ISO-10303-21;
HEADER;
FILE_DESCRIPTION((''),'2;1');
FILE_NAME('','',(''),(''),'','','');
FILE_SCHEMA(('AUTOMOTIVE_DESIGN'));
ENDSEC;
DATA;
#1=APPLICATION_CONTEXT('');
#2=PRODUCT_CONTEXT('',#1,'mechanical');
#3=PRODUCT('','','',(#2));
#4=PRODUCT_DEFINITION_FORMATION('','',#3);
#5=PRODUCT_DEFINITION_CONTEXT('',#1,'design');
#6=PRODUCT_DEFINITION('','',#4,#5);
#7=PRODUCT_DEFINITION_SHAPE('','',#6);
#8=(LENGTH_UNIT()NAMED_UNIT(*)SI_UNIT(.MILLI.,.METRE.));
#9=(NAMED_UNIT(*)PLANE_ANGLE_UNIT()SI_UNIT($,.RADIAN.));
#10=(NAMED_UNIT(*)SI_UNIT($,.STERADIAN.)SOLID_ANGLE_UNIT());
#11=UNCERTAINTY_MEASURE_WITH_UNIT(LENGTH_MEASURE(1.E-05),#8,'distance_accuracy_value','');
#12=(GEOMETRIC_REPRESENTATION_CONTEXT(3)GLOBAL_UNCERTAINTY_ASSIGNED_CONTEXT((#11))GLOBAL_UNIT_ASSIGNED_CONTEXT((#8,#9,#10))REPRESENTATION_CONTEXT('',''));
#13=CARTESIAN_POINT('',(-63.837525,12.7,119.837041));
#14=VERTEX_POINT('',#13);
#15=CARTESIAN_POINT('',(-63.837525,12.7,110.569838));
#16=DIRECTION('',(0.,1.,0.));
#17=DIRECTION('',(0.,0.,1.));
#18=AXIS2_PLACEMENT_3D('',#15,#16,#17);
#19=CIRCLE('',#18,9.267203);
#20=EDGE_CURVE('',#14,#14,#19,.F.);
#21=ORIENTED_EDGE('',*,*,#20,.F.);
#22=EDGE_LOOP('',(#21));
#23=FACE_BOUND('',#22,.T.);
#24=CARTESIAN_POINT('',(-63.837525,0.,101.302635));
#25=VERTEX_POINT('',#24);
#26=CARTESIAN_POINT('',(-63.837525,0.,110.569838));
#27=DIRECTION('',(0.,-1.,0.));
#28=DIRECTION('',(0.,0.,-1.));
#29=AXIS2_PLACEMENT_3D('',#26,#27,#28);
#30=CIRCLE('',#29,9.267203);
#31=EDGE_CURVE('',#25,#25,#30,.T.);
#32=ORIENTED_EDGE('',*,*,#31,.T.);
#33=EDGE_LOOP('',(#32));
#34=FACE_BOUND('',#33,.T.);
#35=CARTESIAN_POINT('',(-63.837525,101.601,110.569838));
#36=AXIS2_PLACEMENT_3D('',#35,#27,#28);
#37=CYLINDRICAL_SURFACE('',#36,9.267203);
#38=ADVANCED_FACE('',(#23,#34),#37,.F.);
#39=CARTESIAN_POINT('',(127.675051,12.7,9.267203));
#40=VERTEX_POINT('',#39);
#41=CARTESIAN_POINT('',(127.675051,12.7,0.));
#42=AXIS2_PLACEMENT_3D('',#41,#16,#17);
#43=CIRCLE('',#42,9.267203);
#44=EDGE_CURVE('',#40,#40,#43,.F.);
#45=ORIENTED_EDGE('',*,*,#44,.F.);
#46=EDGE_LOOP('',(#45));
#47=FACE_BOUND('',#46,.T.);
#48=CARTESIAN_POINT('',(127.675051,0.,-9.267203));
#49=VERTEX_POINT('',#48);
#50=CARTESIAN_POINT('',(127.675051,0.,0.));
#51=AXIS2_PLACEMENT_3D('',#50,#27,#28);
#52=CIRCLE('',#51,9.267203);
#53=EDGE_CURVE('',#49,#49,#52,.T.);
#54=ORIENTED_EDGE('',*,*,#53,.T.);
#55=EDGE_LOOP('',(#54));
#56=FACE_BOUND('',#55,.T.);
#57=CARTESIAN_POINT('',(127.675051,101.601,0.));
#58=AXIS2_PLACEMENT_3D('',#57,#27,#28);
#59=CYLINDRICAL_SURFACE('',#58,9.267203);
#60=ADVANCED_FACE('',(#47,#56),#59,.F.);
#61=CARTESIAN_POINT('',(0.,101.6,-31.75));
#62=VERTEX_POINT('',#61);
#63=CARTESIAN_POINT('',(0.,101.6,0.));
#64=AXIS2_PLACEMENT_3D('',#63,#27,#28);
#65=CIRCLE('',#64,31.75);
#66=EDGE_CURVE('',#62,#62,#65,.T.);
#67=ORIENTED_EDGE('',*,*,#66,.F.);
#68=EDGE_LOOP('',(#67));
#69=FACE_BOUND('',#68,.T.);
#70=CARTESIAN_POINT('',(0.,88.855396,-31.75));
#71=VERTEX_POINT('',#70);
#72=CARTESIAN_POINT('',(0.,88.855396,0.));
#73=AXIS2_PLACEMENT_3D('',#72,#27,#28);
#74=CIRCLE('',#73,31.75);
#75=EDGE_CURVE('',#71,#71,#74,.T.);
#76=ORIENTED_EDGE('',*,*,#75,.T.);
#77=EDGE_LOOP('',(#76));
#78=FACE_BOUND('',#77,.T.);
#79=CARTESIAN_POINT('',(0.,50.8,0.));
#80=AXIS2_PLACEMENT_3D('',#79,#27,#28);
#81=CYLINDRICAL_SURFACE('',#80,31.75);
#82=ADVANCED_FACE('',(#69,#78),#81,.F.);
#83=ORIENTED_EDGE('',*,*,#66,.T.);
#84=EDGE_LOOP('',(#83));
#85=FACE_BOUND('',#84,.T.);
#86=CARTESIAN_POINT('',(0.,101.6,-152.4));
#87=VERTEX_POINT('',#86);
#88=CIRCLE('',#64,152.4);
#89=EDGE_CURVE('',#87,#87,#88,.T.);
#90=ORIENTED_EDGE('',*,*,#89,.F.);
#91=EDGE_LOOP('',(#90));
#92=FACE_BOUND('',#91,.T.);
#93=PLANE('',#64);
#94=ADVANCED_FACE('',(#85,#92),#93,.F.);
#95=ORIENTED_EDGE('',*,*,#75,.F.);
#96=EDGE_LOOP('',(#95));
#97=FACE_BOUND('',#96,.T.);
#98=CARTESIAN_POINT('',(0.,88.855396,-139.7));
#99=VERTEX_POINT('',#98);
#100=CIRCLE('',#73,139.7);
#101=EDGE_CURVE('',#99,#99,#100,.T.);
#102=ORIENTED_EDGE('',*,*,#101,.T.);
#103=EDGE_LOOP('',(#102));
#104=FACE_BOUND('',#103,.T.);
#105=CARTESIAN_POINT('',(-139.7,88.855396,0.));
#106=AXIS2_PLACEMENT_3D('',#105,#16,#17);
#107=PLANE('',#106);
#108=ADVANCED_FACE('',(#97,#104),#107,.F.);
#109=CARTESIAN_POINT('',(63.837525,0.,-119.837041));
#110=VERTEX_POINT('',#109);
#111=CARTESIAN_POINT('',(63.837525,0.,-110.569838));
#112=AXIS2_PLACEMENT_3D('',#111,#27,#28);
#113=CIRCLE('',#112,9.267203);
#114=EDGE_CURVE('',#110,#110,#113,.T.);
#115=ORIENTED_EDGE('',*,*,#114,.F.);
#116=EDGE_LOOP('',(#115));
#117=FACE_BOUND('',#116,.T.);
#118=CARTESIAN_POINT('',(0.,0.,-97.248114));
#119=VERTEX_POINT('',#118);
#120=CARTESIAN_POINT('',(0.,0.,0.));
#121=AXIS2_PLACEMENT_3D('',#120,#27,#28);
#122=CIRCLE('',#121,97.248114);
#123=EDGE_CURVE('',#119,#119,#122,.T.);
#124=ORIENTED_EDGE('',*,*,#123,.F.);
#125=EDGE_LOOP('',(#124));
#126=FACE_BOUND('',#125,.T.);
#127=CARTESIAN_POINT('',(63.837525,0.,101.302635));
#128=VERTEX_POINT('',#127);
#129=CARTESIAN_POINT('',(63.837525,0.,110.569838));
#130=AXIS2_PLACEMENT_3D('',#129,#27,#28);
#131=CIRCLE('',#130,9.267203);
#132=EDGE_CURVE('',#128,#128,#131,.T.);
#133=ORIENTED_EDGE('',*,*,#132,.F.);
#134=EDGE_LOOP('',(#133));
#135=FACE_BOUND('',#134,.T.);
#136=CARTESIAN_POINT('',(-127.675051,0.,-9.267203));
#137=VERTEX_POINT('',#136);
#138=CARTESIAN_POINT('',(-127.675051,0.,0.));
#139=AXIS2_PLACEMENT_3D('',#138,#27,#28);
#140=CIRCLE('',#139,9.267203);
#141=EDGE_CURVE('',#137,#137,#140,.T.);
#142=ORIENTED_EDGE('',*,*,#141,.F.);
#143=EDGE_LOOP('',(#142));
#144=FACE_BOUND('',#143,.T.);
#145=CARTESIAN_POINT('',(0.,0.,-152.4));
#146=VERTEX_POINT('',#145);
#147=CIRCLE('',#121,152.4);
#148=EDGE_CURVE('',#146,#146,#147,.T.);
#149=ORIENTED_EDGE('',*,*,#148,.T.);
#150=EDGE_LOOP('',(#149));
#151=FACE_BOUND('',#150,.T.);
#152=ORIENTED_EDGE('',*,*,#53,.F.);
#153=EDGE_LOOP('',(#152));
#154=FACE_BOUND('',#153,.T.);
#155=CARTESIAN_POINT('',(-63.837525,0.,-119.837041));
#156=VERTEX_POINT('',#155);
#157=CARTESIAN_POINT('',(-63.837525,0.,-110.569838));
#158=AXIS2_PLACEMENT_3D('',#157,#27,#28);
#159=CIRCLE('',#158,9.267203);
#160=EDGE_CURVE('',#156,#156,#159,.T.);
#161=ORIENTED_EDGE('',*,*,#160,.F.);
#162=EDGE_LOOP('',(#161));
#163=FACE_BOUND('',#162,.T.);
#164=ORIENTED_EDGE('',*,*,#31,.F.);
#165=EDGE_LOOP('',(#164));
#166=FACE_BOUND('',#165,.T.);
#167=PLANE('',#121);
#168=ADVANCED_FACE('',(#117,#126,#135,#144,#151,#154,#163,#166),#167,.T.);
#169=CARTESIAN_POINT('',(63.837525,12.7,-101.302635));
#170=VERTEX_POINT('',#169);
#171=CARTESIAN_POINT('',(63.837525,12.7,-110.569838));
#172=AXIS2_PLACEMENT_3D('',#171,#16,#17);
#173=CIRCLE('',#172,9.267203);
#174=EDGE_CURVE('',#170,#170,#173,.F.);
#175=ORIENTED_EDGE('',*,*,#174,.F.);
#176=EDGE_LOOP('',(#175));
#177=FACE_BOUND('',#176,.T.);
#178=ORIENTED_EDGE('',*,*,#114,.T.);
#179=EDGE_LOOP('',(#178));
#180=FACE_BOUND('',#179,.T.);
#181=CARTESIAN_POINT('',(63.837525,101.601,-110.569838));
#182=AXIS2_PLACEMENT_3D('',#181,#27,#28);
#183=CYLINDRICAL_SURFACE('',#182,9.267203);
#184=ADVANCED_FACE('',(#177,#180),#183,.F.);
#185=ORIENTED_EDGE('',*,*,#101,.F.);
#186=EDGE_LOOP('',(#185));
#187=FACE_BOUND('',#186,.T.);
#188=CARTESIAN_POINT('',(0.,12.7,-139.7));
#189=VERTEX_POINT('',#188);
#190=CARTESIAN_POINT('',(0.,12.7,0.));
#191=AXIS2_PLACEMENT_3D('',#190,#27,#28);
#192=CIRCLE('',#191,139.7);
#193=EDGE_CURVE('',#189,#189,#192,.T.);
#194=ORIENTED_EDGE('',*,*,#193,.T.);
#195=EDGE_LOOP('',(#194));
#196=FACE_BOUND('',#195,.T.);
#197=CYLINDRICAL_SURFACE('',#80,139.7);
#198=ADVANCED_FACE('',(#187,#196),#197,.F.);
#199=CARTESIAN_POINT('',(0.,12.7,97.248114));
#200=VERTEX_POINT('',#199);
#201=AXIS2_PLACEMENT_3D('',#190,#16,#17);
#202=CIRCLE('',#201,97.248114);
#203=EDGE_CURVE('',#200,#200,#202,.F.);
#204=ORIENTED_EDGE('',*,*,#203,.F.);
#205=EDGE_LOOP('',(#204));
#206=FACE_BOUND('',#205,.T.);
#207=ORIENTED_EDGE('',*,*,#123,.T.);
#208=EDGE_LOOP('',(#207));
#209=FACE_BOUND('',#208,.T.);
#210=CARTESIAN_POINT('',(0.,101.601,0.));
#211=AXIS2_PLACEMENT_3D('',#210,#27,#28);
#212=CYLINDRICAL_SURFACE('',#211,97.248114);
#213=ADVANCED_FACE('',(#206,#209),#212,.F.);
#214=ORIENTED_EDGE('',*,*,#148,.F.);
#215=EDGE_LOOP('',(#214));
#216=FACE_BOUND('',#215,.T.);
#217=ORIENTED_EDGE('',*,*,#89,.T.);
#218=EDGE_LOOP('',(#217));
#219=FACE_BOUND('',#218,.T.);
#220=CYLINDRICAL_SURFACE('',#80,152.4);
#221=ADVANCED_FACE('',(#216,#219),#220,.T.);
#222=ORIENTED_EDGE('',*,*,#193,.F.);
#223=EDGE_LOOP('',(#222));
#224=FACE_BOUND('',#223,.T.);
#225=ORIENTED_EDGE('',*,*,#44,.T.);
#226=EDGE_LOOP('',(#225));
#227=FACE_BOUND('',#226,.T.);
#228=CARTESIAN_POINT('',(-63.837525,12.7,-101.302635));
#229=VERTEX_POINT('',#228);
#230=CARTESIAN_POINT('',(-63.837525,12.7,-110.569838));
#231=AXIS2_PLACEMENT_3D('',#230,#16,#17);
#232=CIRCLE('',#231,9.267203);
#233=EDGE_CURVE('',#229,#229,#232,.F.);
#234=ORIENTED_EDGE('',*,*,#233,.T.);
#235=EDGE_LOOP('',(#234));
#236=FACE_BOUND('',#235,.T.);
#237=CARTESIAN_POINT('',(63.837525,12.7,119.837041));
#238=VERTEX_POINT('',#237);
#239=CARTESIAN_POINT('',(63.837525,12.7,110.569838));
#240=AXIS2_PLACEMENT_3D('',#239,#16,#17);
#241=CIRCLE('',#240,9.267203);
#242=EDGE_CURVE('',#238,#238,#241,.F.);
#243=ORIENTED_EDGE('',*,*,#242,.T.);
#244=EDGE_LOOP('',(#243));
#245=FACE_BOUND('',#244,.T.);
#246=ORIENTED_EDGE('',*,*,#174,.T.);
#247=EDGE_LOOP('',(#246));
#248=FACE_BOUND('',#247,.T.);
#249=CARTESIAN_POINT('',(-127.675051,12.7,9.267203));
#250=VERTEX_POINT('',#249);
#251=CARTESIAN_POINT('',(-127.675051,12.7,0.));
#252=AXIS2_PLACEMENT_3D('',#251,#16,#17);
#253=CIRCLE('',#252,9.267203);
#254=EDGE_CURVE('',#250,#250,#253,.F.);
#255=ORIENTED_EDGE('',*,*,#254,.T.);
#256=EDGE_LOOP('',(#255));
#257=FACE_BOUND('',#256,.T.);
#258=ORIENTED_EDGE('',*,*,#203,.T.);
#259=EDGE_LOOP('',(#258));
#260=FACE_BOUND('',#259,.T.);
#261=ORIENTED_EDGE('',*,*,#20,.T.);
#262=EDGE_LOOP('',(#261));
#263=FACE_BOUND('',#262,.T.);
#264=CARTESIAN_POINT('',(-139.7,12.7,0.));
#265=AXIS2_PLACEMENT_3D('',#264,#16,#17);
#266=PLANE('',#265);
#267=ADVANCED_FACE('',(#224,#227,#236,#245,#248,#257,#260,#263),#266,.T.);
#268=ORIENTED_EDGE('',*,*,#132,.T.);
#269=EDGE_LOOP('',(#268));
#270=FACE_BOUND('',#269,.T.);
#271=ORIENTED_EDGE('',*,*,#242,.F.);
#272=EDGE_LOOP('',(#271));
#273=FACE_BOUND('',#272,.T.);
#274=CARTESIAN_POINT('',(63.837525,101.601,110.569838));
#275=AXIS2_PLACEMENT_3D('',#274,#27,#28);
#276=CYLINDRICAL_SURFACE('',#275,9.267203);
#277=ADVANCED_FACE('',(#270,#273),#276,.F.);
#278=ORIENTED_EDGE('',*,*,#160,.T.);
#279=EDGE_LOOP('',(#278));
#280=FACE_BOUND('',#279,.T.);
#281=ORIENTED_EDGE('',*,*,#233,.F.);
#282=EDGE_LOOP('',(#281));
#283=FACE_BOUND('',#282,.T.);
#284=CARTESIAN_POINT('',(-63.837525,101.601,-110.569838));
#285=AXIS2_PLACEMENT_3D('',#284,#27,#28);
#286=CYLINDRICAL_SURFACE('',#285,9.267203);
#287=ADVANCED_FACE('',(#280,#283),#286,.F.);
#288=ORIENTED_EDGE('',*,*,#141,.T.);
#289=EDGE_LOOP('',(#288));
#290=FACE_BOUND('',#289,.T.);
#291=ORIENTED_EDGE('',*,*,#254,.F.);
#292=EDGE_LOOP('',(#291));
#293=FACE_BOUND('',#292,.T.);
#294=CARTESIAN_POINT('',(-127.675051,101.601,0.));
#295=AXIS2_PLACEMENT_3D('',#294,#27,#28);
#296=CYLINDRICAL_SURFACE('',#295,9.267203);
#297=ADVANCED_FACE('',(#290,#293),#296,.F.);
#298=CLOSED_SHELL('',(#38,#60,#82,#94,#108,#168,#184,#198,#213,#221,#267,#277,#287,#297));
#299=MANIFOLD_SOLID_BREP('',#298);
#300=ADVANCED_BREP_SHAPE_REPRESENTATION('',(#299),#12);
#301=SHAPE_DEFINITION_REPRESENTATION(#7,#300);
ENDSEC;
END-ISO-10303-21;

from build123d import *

# Parameters (mm, degrees)
SKETCH1_W          = 139.7
SKETCH1_H          = 12.7
SKETCH1_W_2        = 107.95
SKETCH1_H_2        = 12.744604202
CUT_EXTRUDE3_REACH = 240.273
SKETCH5_R          = 97.248113747
SKETCH5_R_2        = 9.267203016


with BuildPart() as part:
    # Sketch1 → Revolve1 (revolve)
    with BuildSketch(Plane.XY, mode=Mode.PRIVATE) as revolve1_sk:
        Polygon((-152.4, 0), (-139.7, 0), (-139.7, 12.7), (-139.7, 88.855395798), (-139.7, 101.6), (-152.4, 101.6), align=None)
        with Locations((-69.85, 6.35)):
            Rectangle(SKETCH1_W, SKETCH1_H)
        with Locations((-85.725, 95.227697899)):
            Rectangle(SKETCH1_W_2, SKETCH1_H_2)
    revolve(revolve1_sk.sketch.rotate(Axis((0, 50.8, 0), (0, 1, 0)), 270), axis=Axis((0, 50.8, 0), (0, 1, 0)))

    # Sketch5 → Cut-Extrude3 (cut, up to next)
    with BuildSketch(Plane.XZ, mode=Mode.PRIVATE) as cut_extrude3_sk1:
        with Locations(Location((0, 0, 0), (0, 0, 270))):
            Circle(SKETCH5_R)
    cut_extrude3_tool1 = extrude(cut_extrude3_sk1.sketch, amount=-CUT_EXTRUDE3_REACH, mode=Mode.PRIVATE) & part.part
    # Sketch5 → Cut-Extrude3 (cut, up to next)
    with BuildSketch(Plane.XZ, mode=Mode.PRIVATE) as cut_extrude3_sk2:
        with Locations(Location((127.67505098, 0, 0), (0, 0, 270))):
            Circle(SKETCH5_R_2)
    cut_extrude3_tool2 = extrude(cut_extrude3_sk2.sketch, amount=-CUT_EXTRUDE3_REACH, mode=Mode.PRIVATE) & part.part
    # Sketch5 → Cut-Extrude3 (cut, up to next)
    with BuildSketch(Plane.XZ, mode=Mode.PRIVATE) as cut_extrude3_sk3:
        with Locations(Location((63.83752549, -110.569837578, 0), (0, 0, 270))):
            Circle(SKETCH5_R_2)
    cut_extrude3_tool3 = extrude(cut_extrude3_sk3.sketch, amount=-CUT_EXTRUDE3_REACH, mode=Mode.PRIVATE) & part.part
    # Sketch5 → Cut-Extrude3 (cut, up to next)
    with BuildSketch(Plane.XZ, mode=Mode.PRIVATE) as cut_extrude3_sk4:
        with Locations(Location((-63.83752549, -110.569837578, 0), (0, 0, 270))):
            Circle(SKETCH5_R_2)
    cut_extrude3_tool4 = extrude(cut_extrude3_sk4.sketch, amount=-CUT_EXTRUDE3_REACH, mode=Mode.PRIVATE) & part.part
    # Sketch5 → Cut-Extrude3 (cut, up to next)
    with BuildSketch(Plane.XZ, mode=Mode.PRIVATE) as cut_extrude3_sk5:
        with Locations(Location((-127.67505098, 0, 0), (0, 0, 270))):
            Circle(SKETCH5_R_2)
    cut_extrude3_tool5 = extrude(cut_extrude3_sk5.sketch, amount=-CUT_EXTRUDE3_REACH, mode=Mode.PRIVATE) & part.part
    # Sketch5 → Cut-Extrude3 (cut, up to next)
    with BuildSketch(Plane.XZ, mode=Mode.PRIVATE) as cut_extrude3_sk6:
        with Locations(Location((-63.83752549, 110.569837578, 0), (0, 0, 270))):
            Circle(SKETCH5_R_2)
    cut_extrude3_tool6 = extrude(cut_extrude3_sk6.sketch, amount=-CUT_EXTRUDE3_REACH, mode=Mode.PRIVATE) & part.part
    # Sketch5 → Cut-Extrude3 (cut, up to next)
    with BuildSketch(Plane.XZ, mode=Mode.PRIVATE) as cut_extrude3_sk7:
        with Locations(Location((63.83752549, 110.569837578, 0), (0, 0, 270))):
            Circle(SKETCH5_R_2)
    cut_extrude3_tool7 = extrude(cut_extrude3_sk7.sketch, amount=-CUT_EXTRUDE3_REACH, mode=Mode.PRIVATE) & part.part
    add(cut_extrude3_tool1.solids().sort_by_distance((0, 0, 0))[0], mode=Mode.SUBTRACT)
    add(cut_extrude3_tool2.solids().sort_by_distance((127.675051, 0, 0))[0], mode=Mode.SUBTRACT)
    add(cut_extrude3_tool3.solids().sort_by_distance((63.837525, 0, -110.569838))[0], mode=Mode.SUBTRACT)
    add(cut_extrude3_tool4.solids().sort_by_distance((-63.837525, 0, -110.569838))[0], mode=Mode.SUBTRACT)
    add(cut_extrude3_tool5.solids().sort_by_distance((-127.675051, 0, 0))[0], mode=Mode.SUBTRACT)
    add(cut_extrude3_tool6.solids().sort_by_distance((-63.837525, 0, 110.569838))[0], mode=Mode.SUBTRACT)
    add(cut_extrude3_tool7.solids().sort_by_distance((63.837525, 0, 110.569838))[0], mode=Mode.SUBTRACT)


solid = part.part
